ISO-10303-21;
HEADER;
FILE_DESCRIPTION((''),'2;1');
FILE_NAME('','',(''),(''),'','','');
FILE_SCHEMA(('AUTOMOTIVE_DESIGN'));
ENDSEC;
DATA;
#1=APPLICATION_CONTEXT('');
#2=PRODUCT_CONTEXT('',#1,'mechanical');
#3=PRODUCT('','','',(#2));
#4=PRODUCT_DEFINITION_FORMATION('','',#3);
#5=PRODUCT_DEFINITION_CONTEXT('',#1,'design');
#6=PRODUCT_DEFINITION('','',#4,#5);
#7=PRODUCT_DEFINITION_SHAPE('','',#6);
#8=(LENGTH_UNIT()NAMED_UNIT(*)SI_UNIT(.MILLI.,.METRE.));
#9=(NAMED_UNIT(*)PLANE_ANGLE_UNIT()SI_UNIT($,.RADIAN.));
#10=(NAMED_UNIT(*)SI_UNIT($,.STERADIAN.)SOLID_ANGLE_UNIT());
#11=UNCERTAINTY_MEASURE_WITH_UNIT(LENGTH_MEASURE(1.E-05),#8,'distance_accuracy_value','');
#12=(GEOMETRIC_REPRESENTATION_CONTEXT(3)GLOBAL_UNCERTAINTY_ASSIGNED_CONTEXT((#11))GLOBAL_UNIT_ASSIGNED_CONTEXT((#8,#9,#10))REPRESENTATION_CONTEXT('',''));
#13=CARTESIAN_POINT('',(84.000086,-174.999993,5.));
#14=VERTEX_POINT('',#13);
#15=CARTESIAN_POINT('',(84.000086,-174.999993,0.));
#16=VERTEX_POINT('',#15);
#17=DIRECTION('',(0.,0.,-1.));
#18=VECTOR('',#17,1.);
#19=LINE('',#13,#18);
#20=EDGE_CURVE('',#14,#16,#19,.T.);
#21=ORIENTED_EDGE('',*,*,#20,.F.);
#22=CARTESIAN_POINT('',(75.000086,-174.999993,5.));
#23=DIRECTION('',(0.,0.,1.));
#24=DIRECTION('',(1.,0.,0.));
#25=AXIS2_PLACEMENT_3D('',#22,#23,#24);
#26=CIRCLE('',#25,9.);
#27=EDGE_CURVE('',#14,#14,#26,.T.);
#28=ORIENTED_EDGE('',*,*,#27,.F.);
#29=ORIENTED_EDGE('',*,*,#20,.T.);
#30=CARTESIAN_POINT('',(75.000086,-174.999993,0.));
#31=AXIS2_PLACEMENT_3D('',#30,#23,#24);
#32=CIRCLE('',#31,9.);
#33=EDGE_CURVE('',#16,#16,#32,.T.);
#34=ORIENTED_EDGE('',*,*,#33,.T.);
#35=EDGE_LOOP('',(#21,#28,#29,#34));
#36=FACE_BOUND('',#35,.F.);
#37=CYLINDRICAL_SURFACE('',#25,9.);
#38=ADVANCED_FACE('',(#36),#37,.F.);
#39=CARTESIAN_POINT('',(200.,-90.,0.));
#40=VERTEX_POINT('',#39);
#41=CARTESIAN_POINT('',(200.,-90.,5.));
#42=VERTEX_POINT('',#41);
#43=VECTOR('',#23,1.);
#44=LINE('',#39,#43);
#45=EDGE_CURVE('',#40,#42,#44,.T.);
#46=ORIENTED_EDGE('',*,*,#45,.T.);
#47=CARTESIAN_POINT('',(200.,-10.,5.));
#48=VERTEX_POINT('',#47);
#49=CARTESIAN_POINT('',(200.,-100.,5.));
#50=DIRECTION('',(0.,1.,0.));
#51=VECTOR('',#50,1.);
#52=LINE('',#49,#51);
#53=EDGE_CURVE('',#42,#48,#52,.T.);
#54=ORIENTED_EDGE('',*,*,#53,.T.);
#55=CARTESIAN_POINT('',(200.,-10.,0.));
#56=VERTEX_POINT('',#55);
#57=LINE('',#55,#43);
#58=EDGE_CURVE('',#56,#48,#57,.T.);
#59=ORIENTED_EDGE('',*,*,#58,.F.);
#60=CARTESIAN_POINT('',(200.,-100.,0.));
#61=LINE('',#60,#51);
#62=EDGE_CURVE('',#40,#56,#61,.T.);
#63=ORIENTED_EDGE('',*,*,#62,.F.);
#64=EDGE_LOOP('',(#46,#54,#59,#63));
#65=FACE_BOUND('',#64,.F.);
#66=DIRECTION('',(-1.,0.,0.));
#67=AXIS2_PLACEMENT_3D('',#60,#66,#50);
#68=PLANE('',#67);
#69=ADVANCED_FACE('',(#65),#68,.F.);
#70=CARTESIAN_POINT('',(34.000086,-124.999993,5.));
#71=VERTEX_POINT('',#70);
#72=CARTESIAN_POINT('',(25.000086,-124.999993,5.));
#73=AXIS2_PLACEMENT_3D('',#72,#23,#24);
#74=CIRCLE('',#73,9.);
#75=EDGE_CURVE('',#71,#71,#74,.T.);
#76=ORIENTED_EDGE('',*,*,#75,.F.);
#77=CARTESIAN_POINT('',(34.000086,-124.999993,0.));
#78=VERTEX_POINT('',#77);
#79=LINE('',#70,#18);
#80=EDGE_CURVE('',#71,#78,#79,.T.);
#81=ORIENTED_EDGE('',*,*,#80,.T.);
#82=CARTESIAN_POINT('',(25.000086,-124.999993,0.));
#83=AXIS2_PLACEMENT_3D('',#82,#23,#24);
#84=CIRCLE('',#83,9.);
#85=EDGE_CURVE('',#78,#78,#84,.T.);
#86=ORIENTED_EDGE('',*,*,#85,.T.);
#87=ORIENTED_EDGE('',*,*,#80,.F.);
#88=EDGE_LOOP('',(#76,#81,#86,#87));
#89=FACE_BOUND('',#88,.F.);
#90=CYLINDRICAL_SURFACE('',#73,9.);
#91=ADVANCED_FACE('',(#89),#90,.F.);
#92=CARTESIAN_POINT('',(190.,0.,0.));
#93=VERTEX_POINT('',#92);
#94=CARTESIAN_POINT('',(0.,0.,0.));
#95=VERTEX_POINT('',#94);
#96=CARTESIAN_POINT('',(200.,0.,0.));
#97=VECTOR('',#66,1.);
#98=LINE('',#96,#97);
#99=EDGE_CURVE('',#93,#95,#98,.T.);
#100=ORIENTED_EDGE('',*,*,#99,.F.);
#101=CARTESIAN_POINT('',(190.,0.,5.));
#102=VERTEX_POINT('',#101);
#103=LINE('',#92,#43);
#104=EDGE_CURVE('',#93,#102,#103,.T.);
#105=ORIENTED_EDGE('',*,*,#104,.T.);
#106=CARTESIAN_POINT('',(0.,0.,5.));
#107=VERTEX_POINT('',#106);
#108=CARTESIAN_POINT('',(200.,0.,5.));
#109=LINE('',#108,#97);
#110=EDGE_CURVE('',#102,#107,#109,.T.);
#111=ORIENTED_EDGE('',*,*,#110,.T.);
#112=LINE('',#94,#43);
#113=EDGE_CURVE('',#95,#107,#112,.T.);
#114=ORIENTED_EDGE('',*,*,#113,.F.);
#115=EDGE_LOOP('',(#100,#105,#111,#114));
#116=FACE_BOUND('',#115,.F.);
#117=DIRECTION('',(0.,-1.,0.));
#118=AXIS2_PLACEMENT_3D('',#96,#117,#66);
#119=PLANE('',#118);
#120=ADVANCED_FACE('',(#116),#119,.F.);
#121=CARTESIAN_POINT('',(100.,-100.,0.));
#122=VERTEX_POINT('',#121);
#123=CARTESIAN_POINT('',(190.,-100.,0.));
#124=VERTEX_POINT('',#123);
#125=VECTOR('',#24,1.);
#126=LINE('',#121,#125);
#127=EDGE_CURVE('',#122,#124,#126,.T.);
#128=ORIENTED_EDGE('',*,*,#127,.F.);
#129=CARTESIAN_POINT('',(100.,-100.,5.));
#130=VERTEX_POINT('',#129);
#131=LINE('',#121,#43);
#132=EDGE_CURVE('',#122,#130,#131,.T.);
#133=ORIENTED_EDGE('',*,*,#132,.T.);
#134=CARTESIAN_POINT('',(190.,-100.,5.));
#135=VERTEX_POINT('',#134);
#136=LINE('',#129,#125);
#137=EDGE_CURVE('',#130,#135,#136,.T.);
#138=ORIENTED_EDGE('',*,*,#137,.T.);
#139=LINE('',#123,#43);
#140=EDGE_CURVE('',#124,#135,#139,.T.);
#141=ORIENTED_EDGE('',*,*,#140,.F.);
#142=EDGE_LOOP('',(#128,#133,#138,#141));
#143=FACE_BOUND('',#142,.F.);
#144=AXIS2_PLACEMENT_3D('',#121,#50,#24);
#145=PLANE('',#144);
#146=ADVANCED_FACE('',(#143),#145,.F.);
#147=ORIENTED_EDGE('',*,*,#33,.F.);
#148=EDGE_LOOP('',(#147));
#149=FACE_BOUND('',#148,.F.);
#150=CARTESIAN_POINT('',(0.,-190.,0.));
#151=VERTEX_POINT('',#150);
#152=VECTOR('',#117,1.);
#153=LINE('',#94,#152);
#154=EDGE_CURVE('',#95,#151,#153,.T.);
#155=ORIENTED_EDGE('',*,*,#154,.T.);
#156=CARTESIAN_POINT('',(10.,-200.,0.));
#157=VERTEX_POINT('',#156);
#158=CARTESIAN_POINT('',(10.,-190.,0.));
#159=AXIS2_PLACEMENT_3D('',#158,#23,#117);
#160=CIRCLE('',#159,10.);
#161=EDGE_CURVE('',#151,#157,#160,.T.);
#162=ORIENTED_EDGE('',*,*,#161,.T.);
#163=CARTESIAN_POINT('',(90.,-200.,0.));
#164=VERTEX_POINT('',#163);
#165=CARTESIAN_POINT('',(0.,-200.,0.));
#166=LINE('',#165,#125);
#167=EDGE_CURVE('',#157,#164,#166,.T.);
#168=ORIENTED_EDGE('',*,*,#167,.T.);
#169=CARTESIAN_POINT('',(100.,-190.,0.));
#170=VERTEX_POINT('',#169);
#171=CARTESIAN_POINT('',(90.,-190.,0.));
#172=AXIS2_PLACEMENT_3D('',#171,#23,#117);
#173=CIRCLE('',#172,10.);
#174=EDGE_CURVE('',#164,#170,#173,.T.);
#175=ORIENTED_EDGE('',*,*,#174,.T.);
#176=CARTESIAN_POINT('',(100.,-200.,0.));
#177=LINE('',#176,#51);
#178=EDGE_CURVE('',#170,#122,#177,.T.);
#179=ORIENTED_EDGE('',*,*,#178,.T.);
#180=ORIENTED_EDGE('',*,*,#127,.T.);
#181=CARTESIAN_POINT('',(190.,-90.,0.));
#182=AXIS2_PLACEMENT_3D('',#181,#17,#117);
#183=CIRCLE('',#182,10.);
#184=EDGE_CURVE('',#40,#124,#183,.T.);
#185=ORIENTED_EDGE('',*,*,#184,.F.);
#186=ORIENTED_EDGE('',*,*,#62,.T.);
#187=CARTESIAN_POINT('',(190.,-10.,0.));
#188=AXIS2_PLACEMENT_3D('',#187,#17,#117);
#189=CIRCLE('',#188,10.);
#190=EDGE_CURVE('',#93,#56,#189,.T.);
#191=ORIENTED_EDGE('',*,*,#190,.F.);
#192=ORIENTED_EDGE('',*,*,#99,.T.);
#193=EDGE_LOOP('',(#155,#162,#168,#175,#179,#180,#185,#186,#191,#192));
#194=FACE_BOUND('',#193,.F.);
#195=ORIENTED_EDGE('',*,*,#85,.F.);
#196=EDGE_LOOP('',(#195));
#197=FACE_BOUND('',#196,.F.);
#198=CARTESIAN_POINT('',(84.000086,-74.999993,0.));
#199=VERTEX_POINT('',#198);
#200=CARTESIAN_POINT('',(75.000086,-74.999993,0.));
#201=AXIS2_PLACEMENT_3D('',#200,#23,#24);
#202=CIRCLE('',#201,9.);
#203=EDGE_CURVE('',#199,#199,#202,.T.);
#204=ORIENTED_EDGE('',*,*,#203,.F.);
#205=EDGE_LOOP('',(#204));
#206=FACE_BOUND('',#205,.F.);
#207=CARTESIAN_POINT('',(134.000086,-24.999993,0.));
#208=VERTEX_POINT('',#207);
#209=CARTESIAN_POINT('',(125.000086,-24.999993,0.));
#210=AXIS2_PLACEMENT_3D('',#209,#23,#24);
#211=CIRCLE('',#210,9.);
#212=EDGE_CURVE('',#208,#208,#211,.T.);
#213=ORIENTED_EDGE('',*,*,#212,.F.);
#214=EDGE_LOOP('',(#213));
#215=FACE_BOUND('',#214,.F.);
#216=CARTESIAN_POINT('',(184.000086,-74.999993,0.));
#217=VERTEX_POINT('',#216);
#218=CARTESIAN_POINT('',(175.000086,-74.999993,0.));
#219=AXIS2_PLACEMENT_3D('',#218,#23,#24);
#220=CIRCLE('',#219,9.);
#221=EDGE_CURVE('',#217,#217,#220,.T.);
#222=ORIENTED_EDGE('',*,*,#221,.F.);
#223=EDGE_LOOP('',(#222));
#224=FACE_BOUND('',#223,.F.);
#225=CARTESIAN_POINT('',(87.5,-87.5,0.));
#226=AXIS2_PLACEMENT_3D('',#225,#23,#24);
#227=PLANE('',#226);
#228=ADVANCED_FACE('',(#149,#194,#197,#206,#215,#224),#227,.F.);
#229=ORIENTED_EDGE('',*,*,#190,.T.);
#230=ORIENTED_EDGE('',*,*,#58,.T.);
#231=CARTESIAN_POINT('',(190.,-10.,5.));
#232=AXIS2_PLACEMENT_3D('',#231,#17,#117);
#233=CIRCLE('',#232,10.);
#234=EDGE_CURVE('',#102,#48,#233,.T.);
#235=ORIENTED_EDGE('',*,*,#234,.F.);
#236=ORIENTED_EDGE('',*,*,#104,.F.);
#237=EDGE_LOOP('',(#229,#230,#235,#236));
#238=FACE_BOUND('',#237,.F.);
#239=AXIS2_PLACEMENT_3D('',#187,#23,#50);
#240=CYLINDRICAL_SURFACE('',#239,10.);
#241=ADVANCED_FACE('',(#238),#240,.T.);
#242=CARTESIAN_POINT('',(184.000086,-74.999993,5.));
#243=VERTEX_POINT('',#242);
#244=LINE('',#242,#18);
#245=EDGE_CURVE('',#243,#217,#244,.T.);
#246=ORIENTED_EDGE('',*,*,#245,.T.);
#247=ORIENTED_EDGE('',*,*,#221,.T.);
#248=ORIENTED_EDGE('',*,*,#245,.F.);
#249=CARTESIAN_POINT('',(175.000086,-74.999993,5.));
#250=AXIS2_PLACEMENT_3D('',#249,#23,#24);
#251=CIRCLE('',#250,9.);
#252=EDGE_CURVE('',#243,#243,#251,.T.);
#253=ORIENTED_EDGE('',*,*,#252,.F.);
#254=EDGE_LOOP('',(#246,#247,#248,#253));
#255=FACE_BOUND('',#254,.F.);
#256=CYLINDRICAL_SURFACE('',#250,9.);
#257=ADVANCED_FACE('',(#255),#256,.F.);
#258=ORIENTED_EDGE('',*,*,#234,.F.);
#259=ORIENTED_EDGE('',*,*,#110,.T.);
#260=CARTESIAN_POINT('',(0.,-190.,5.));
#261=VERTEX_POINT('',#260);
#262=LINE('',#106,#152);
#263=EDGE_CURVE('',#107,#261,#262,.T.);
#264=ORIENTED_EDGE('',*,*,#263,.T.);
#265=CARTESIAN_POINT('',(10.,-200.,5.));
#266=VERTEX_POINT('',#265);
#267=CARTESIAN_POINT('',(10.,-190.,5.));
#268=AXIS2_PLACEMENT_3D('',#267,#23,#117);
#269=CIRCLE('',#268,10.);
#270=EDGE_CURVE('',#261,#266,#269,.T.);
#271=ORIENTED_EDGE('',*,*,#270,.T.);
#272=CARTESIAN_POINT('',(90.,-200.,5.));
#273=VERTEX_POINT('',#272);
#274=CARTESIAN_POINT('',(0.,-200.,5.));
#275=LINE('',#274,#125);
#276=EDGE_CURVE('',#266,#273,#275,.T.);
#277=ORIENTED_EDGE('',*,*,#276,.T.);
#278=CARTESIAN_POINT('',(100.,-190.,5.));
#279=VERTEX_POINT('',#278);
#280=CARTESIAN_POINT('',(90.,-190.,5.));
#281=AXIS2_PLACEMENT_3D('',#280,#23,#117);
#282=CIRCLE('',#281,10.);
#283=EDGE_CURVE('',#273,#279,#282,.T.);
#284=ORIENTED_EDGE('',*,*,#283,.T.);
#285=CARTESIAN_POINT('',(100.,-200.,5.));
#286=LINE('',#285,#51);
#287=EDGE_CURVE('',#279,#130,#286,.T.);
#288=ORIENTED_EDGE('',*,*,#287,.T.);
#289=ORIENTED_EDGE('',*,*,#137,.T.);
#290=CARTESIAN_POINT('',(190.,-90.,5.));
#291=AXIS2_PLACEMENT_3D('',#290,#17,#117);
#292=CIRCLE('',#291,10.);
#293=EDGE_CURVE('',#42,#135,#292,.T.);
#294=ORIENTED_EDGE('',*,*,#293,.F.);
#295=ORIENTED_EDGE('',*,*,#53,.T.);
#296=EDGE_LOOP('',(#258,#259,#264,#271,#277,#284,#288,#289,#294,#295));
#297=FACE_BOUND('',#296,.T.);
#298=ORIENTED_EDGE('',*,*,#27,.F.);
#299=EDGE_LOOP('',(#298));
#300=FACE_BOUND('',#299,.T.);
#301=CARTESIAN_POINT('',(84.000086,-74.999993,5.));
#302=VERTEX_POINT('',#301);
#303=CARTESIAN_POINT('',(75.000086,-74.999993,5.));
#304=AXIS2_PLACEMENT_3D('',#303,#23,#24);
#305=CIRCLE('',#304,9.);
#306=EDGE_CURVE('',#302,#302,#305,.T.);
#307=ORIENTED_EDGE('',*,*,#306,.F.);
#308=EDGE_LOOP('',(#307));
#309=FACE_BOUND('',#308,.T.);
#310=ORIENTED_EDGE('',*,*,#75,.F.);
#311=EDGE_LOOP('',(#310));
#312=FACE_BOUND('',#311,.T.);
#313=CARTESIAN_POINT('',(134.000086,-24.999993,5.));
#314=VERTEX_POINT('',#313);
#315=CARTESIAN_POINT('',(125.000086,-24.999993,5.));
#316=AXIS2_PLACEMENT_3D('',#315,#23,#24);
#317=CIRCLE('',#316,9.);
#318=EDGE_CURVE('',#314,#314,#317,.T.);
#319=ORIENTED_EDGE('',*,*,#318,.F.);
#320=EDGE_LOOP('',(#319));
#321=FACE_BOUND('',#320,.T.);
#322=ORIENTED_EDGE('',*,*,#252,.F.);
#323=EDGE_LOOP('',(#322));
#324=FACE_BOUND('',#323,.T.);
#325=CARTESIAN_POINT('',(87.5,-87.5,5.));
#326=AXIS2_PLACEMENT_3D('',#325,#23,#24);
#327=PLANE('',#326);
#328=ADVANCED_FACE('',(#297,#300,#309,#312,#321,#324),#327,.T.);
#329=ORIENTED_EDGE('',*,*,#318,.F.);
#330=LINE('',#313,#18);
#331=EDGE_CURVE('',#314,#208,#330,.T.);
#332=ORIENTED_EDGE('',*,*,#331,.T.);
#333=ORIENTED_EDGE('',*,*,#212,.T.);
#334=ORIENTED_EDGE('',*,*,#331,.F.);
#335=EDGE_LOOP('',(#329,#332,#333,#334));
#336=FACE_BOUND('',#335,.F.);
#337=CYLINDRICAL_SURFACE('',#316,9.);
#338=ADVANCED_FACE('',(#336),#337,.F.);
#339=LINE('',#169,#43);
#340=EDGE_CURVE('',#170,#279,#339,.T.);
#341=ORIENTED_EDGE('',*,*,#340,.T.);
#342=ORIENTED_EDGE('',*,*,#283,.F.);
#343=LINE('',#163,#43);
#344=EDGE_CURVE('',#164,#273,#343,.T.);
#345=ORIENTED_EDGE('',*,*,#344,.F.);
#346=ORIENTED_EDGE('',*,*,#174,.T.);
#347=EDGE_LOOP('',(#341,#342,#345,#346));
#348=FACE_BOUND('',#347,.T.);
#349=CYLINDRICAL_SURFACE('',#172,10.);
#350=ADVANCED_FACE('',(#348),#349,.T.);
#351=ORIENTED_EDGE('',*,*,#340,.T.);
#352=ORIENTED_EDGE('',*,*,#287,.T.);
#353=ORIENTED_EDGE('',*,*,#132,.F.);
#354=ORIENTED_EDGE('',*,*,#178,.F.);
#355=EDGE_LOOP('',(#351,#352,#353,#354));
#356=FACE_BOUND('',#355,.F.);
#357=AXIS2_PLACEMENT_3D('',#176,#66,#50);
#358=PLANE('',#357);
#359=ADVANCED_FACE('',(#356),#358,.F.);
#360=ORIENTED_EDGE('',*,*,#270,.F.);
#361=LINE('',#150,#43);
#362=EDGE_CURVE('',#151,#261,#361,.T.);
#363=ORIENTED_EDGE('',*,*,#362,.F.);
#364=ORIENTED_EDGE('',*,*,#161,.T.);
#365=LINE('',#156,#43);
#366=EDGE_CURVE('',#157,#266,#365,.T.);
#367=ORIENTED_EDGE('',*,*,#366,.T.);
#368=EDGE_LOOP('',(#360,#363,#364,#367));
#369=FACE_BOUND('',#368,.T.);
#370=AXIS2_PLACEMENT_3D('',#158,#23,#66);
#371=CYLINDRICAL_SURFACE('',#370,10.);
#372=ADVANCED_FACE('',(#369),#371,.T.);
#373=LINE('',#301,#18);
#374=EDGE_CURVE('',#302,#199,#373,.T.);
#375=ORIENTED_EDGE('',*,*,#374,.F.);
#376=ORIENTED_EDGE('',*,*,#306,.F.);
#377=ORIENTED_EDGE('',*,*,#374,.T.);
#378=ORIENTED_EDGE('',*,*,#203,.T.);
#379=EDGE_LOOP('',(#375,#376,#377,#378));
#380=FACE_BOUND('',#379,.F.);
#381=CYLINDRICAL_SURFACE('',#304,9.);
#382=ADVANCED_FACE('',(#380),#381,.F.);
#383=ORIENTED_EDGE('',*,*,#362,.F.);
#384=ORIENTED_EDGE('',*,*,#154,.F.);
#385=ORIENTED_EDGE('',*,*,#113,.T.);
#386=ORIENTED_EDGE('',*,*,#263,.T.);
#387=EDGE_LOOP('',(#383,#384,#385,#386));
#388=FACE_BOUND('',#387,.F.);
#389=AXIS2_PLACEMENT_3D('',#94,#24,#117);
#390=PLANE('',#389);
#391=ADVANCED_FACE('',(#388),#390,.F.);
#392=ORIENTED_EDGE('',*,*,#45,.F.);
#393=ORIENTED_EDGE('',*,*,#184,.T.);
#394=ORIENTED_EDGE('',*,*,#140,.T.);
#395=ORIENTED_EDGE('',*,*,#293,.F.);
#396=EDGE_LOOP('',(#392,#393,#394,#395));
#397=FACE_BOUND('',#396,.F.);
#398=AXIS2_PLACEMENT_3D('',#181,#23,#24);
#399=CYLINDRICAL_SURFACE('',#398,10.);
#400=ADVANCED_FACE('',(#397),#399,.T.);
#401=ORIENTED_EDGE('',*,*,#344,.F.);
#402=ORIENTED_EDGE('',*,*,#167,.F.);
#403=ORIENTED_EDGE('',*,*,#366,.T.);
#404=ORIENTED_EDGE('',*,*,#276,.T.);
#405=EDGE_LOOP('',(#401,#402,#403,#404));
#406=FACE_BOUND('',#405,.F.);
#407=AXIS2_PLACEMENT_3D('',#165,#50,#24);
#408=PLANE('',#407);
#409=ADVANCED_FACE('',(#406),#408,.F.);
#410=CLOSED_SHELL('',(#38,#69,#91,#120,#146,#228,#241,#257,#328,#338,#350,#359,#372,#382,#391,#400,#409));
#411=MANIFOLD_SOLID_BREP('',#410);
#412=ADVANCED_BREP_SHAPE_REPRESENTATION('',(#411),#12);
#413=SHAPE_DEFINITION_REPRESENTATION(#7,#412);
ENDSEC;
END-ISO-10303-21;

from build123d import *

# Parameters (mm, degrees)
F1_DEPTH = 5
F2_R     = 9
F3_DEPTH = 25
F4_R     = 10


with BuildPart() as f1:
    # F0 (on Top) → F1 (new body)
    with BuildSketch(Plane.XY):
        Polygon((200, 0), (0, 0), (0, -200), (100, -200), (100, -100), (200, -100), align=None)
    extrude(amount=F1_DEPTH)

    # F2 (on face) → F3 (cut)
    with BuildSketch(Plane.XY.offset(5)):
        with Locations((175.000086, -74.999993)):
            Circle(F2_R)
        with Locations((125.000086, -24.999993)):
            Circle(F2_R)
        with Locations((75.000086, -74.999993)):
            Circle(F2_R)
        with Locations((75.000086, -174.999993)):
            Circle(F2_R)
        with Locations((25.000086, -124.999993)):
            Circle(F2_R)
    extrude(amount=-F3_DEPTH, mode=Mode.SUBTRACT)

    # F4
    f4_edges = [f1.edges().sort_by_distance(p)[0] for p in [
        (0, -200, 2.5),
        (100, -200, 2.5),
        (200, -100, 2.5),
        (200, 0, 2.5),
    ]]
    fillet(f4_edges, radius=F4_R)


solid = f1.part
